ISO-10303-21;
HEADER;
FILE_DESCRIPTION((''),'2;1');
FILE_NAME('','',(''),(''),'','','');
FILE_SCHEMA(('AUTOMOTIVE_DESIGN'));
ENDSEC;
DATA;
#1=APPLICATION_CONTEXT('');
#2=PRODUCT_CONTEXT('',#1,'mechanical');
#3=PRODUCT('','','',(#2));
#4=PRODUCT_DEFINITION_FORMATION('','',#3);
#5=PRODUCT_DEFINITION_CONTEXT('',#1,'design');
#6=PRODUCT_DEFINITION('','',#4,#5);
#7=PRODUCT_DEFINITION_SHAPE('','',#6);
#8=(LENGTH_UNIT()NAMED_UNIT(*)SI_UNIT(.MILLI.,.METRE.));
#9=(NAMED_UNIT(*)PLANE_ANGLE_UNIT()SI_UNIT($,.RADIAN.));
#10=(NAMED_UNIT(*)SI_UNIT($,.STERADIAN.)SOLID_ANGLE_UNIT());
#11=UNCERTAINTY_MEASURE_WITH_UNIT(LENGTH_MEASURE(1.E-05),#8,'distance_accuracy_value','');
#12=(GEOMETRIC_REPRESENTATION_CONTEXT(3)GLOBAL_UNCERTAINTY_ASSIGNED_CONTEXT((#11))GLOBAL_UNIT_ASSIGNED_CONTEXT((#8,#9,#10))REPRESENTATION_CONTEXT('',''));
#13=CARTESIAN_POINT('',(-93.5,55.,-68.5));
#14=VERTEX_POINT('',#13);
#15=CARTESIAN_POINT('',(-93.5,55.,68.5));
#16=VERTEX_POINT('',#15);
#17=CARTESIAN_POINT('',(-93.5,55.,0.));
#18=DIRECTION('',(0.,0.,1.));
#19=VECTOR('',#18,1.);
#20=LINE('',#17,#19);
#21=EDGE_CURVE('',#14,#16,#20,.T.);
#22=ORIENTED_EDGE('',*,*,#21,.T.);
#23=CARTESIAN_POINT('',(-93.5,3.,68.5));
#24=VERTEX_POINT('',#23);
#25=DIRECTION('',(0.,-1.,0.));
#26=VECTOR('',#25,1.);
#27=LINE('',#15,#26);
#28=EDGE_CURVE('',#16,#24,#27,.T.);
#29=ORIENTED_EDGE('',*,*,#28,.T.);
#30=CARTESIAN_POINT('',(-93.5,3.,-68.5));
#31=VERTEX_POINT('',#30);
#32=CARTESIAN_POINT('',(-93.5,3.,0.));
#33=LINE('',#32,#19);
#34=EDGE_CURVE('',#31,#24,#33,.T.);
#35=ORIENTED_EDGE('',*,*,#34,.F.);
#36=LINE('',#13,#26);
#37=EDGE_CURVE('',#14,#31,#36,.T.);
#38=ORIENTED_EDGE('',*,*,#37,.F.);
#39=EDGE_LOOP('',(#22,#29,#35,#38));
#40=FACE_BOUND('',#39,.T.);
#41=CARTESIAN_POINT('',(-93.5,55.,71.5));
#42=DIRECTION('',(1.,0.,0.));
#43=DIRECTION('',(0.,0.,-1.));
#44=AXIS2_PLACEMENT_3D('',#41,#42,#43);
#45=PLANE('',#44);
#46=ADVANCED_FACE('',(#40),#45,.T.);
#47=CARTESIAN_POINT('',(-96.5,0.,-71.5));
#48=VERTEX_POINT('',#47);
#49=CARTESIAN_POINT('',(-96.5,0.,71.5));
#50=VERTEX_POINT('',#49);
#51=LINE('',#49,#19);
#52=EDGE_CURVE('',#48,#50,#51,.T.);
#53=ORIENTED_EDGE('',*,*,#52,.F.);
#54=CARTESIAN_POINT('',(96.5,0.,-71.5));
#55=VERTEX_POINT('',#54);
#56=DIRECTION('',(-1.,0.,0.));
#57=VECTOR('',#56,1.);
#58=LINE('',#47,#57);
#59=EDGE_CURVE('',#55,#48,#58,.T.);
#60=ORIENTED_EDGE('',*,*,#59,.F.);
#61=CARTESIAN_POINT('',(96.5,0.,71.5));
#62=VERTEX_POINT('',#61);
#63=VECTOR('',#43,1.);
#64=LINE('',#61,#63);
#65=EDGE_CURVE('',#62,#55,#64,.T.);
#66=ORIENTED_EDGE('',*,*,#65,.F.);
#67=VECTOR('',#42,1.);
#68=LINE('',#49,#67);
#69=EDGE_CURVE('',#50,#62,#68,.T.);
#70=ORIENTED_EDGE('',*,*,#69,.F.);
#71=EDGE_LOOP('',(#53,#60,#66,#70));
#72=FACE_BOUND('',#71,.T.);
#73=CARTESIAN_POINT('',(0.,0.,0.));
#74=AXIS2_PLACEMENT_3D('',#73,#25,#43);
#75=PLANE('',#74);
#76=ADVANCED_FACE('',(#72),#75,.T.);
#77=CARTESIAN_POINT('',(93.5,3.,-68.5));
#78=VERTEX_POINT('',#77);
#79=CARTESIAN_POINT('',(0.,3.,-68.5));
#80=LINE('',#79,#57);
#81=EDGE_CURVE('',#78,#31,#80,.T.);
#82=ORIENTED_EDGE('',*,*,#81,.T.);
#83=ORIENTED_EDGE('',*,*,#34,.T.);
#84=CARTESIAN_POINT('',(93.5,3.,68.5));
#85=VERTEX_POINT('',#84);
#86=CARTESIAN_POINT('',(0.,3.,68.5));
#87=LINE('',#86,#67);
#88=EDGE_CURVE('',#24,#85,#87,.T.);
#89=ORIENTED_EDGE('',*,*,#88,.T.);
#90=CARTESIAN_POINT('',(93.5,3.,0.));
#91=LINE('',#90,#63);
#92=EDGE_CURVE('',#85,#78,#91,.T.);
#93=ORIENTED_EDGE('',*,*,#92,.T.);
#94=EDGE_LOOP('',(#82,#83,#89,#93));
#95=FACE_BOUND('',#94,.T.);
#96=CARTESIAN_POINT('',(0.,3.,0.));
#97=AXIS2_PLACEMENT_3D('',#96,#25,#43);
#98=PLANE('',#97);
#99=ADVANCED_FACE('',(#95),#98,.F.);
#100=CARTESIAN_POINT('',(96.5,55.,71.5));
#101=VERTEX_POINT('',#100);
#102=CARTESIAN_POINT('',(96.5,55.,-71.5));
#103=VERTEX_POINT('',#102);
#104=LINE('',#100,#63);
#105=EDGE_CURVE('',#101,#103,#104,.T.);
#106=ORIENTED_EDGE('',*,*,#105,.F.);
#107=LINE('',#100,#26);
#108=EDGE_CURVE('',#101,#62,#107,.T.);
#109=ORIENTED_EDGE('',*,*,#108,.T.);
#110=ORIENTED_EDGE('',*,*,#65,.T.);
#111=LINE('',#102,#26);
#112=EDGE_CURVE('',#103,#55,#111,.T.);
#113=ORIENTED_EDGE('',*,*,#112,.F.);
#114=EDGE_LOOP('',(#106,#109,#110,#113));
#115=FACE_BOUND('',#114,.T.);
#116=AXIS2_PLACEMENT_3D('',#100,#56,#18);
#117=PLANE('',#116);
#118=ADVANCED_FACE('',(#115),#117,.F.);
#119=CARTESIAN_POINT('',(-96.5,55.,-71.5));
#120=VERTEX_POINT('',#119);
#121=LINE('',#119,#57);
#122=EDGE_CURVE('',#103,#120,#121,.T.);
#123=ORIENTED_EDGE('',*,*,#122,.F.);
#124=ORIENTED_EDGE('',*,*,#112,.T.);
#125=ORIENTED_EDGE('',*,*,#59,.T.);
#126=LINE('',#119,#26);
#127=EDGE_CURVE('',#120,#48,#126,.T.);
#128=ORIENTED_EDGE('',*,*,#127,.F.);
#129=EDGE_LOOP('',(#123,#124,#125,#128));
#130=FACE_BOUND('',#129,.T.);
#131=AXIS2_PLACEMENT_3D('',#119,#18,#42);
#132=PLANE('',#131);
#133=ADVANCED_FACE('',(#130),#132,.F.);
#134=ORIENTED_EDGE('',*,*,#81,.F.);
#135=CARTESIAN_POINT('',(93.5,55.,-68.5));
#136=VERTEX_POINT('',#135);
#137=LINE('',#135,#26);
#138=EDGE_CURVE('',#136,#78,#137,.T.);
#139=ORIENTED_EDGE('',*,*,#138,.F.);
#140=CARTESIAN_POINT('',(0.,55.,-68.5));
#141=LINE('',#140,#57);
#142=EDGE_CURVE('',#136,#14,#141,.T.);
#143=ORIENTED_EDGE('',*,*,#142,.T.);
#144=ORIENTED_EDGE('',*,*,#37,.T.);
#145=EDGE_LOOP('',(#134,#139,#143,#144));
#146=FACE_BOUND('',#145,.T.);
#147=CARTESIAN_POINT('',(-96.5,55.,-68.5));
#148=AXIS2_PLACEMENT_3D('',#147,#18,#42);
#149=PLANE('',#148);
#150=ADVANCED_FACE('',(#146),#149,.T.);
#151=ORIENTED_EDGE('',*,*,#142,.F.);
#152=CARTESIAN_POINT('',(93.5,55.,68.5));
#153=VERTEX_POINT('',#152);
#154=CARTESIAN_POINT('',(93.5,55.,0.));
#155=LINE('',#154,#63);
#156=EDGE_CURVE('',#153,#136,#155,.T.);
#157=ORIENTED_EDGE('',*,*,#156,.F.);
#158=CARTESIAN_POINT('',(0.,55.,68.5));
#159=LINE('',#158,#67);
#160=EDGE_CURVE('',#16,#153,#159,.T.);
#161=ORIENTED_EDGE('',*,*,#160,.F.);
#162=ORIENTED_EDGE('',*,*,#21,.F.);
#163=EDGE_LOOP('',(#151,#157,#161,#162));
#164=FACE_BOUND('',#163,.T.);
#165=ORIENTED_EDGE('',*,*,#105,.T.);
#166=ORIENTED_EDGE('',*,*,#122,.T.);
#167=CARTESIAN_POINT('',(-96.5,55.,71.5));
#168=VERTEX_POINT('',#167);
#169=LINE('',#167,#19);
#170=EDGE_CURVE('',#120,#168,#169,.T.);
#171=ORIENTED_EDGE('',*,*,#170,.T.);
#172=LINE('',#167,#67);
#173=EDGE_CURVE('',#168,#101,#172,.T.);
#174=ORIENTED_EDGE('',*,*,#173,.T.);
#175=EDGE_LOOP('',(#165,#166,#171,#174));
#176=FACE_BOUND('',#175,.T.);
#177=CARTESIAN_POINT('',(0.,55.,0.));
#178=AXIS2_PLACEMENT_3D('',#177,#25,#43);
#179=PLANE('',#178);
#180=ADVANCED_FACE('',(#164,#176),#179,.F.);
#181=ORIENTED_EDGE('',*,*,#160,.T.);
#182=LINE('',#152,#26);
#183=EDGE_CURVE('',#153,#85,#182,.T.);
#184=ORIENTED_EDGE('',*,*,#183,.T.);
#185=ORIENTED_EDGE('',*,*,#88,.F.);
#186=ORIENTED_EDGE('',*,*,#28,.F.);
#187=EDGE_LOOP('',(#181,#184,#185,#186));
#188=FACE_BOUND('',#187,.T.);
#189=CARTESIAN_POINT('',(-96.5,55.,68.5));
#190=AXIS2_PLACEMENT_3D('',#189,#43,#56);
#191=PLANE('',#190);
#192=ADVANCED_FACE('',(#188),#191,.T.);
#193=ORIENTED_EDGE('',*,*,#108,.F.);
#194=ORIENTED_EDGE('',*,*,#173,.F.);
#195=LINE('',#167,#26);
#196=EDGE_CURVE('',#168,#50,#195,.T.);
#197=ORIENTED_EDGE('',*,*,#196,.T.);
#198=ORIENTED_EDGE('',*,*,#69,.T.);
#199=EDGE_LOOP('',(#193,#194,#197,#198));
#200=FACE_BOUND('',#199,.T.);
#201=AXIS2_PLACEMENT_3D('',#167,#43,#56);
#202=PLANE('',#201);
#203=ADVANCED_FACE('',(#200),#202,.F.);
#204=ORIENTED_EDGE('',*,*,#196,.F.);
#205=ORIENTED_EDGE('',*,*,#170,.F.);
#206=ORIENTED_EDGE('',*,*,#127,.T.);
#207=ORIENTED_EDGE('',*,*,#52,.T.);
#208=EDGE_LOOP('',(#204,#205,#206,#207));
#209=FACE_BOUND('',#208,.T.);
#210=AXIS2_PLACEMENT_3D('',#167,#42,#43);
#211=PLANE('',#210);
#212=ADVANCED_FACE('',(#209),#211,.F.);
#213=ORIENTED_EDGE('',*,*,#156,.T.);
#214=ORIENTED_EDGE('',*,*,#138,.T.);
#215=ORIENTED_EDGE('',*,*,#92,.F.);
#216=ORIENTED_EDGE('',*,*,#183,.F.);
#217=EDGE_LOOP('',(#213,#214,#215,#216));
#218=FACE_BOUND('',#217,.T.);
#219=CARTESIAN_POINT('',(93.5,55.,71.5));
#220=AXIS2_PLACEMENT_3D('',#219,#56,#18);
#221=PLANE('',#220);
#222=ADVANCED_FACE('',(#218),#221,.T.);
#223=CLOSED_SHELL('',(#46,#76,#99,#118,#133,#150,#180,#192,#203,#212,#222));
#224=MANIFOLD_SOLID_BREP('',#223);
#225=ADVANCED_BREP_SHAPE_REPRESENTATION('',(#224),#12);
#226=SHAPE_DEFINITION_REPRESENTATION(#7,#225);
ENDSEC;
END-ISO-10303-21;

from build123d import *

# Parameters (mm, degrees)
SKETCH1_W           = 193
SKETCH1_H           = 143
BOSS_EXTRUDE1_DEPTH = 55
SHELL1_T            = -3


with BuildPart() as part:
    # Sketch1 → Boss-Extrude1 (new body)
    with BuildSketch(Plane(origin=(0, 0, 0), x_dir=(1, 0, 0), z_dir=(0, 1, 0))):
        Rectangle(SKETCH1_W, SKETCH1_H)
    extrude(amount=BOSS_EXTRUDE1_DEPTH)

    # Shell1
    shell1_openings = [part.faces().sort_by_distance(p)[0] for p in [
        (0, 55, 0),
    ]]
    offset(amount=SHELL1_T, openings=shell1_openings, kind=Kind.INTERSECTION)


solid = part.part
